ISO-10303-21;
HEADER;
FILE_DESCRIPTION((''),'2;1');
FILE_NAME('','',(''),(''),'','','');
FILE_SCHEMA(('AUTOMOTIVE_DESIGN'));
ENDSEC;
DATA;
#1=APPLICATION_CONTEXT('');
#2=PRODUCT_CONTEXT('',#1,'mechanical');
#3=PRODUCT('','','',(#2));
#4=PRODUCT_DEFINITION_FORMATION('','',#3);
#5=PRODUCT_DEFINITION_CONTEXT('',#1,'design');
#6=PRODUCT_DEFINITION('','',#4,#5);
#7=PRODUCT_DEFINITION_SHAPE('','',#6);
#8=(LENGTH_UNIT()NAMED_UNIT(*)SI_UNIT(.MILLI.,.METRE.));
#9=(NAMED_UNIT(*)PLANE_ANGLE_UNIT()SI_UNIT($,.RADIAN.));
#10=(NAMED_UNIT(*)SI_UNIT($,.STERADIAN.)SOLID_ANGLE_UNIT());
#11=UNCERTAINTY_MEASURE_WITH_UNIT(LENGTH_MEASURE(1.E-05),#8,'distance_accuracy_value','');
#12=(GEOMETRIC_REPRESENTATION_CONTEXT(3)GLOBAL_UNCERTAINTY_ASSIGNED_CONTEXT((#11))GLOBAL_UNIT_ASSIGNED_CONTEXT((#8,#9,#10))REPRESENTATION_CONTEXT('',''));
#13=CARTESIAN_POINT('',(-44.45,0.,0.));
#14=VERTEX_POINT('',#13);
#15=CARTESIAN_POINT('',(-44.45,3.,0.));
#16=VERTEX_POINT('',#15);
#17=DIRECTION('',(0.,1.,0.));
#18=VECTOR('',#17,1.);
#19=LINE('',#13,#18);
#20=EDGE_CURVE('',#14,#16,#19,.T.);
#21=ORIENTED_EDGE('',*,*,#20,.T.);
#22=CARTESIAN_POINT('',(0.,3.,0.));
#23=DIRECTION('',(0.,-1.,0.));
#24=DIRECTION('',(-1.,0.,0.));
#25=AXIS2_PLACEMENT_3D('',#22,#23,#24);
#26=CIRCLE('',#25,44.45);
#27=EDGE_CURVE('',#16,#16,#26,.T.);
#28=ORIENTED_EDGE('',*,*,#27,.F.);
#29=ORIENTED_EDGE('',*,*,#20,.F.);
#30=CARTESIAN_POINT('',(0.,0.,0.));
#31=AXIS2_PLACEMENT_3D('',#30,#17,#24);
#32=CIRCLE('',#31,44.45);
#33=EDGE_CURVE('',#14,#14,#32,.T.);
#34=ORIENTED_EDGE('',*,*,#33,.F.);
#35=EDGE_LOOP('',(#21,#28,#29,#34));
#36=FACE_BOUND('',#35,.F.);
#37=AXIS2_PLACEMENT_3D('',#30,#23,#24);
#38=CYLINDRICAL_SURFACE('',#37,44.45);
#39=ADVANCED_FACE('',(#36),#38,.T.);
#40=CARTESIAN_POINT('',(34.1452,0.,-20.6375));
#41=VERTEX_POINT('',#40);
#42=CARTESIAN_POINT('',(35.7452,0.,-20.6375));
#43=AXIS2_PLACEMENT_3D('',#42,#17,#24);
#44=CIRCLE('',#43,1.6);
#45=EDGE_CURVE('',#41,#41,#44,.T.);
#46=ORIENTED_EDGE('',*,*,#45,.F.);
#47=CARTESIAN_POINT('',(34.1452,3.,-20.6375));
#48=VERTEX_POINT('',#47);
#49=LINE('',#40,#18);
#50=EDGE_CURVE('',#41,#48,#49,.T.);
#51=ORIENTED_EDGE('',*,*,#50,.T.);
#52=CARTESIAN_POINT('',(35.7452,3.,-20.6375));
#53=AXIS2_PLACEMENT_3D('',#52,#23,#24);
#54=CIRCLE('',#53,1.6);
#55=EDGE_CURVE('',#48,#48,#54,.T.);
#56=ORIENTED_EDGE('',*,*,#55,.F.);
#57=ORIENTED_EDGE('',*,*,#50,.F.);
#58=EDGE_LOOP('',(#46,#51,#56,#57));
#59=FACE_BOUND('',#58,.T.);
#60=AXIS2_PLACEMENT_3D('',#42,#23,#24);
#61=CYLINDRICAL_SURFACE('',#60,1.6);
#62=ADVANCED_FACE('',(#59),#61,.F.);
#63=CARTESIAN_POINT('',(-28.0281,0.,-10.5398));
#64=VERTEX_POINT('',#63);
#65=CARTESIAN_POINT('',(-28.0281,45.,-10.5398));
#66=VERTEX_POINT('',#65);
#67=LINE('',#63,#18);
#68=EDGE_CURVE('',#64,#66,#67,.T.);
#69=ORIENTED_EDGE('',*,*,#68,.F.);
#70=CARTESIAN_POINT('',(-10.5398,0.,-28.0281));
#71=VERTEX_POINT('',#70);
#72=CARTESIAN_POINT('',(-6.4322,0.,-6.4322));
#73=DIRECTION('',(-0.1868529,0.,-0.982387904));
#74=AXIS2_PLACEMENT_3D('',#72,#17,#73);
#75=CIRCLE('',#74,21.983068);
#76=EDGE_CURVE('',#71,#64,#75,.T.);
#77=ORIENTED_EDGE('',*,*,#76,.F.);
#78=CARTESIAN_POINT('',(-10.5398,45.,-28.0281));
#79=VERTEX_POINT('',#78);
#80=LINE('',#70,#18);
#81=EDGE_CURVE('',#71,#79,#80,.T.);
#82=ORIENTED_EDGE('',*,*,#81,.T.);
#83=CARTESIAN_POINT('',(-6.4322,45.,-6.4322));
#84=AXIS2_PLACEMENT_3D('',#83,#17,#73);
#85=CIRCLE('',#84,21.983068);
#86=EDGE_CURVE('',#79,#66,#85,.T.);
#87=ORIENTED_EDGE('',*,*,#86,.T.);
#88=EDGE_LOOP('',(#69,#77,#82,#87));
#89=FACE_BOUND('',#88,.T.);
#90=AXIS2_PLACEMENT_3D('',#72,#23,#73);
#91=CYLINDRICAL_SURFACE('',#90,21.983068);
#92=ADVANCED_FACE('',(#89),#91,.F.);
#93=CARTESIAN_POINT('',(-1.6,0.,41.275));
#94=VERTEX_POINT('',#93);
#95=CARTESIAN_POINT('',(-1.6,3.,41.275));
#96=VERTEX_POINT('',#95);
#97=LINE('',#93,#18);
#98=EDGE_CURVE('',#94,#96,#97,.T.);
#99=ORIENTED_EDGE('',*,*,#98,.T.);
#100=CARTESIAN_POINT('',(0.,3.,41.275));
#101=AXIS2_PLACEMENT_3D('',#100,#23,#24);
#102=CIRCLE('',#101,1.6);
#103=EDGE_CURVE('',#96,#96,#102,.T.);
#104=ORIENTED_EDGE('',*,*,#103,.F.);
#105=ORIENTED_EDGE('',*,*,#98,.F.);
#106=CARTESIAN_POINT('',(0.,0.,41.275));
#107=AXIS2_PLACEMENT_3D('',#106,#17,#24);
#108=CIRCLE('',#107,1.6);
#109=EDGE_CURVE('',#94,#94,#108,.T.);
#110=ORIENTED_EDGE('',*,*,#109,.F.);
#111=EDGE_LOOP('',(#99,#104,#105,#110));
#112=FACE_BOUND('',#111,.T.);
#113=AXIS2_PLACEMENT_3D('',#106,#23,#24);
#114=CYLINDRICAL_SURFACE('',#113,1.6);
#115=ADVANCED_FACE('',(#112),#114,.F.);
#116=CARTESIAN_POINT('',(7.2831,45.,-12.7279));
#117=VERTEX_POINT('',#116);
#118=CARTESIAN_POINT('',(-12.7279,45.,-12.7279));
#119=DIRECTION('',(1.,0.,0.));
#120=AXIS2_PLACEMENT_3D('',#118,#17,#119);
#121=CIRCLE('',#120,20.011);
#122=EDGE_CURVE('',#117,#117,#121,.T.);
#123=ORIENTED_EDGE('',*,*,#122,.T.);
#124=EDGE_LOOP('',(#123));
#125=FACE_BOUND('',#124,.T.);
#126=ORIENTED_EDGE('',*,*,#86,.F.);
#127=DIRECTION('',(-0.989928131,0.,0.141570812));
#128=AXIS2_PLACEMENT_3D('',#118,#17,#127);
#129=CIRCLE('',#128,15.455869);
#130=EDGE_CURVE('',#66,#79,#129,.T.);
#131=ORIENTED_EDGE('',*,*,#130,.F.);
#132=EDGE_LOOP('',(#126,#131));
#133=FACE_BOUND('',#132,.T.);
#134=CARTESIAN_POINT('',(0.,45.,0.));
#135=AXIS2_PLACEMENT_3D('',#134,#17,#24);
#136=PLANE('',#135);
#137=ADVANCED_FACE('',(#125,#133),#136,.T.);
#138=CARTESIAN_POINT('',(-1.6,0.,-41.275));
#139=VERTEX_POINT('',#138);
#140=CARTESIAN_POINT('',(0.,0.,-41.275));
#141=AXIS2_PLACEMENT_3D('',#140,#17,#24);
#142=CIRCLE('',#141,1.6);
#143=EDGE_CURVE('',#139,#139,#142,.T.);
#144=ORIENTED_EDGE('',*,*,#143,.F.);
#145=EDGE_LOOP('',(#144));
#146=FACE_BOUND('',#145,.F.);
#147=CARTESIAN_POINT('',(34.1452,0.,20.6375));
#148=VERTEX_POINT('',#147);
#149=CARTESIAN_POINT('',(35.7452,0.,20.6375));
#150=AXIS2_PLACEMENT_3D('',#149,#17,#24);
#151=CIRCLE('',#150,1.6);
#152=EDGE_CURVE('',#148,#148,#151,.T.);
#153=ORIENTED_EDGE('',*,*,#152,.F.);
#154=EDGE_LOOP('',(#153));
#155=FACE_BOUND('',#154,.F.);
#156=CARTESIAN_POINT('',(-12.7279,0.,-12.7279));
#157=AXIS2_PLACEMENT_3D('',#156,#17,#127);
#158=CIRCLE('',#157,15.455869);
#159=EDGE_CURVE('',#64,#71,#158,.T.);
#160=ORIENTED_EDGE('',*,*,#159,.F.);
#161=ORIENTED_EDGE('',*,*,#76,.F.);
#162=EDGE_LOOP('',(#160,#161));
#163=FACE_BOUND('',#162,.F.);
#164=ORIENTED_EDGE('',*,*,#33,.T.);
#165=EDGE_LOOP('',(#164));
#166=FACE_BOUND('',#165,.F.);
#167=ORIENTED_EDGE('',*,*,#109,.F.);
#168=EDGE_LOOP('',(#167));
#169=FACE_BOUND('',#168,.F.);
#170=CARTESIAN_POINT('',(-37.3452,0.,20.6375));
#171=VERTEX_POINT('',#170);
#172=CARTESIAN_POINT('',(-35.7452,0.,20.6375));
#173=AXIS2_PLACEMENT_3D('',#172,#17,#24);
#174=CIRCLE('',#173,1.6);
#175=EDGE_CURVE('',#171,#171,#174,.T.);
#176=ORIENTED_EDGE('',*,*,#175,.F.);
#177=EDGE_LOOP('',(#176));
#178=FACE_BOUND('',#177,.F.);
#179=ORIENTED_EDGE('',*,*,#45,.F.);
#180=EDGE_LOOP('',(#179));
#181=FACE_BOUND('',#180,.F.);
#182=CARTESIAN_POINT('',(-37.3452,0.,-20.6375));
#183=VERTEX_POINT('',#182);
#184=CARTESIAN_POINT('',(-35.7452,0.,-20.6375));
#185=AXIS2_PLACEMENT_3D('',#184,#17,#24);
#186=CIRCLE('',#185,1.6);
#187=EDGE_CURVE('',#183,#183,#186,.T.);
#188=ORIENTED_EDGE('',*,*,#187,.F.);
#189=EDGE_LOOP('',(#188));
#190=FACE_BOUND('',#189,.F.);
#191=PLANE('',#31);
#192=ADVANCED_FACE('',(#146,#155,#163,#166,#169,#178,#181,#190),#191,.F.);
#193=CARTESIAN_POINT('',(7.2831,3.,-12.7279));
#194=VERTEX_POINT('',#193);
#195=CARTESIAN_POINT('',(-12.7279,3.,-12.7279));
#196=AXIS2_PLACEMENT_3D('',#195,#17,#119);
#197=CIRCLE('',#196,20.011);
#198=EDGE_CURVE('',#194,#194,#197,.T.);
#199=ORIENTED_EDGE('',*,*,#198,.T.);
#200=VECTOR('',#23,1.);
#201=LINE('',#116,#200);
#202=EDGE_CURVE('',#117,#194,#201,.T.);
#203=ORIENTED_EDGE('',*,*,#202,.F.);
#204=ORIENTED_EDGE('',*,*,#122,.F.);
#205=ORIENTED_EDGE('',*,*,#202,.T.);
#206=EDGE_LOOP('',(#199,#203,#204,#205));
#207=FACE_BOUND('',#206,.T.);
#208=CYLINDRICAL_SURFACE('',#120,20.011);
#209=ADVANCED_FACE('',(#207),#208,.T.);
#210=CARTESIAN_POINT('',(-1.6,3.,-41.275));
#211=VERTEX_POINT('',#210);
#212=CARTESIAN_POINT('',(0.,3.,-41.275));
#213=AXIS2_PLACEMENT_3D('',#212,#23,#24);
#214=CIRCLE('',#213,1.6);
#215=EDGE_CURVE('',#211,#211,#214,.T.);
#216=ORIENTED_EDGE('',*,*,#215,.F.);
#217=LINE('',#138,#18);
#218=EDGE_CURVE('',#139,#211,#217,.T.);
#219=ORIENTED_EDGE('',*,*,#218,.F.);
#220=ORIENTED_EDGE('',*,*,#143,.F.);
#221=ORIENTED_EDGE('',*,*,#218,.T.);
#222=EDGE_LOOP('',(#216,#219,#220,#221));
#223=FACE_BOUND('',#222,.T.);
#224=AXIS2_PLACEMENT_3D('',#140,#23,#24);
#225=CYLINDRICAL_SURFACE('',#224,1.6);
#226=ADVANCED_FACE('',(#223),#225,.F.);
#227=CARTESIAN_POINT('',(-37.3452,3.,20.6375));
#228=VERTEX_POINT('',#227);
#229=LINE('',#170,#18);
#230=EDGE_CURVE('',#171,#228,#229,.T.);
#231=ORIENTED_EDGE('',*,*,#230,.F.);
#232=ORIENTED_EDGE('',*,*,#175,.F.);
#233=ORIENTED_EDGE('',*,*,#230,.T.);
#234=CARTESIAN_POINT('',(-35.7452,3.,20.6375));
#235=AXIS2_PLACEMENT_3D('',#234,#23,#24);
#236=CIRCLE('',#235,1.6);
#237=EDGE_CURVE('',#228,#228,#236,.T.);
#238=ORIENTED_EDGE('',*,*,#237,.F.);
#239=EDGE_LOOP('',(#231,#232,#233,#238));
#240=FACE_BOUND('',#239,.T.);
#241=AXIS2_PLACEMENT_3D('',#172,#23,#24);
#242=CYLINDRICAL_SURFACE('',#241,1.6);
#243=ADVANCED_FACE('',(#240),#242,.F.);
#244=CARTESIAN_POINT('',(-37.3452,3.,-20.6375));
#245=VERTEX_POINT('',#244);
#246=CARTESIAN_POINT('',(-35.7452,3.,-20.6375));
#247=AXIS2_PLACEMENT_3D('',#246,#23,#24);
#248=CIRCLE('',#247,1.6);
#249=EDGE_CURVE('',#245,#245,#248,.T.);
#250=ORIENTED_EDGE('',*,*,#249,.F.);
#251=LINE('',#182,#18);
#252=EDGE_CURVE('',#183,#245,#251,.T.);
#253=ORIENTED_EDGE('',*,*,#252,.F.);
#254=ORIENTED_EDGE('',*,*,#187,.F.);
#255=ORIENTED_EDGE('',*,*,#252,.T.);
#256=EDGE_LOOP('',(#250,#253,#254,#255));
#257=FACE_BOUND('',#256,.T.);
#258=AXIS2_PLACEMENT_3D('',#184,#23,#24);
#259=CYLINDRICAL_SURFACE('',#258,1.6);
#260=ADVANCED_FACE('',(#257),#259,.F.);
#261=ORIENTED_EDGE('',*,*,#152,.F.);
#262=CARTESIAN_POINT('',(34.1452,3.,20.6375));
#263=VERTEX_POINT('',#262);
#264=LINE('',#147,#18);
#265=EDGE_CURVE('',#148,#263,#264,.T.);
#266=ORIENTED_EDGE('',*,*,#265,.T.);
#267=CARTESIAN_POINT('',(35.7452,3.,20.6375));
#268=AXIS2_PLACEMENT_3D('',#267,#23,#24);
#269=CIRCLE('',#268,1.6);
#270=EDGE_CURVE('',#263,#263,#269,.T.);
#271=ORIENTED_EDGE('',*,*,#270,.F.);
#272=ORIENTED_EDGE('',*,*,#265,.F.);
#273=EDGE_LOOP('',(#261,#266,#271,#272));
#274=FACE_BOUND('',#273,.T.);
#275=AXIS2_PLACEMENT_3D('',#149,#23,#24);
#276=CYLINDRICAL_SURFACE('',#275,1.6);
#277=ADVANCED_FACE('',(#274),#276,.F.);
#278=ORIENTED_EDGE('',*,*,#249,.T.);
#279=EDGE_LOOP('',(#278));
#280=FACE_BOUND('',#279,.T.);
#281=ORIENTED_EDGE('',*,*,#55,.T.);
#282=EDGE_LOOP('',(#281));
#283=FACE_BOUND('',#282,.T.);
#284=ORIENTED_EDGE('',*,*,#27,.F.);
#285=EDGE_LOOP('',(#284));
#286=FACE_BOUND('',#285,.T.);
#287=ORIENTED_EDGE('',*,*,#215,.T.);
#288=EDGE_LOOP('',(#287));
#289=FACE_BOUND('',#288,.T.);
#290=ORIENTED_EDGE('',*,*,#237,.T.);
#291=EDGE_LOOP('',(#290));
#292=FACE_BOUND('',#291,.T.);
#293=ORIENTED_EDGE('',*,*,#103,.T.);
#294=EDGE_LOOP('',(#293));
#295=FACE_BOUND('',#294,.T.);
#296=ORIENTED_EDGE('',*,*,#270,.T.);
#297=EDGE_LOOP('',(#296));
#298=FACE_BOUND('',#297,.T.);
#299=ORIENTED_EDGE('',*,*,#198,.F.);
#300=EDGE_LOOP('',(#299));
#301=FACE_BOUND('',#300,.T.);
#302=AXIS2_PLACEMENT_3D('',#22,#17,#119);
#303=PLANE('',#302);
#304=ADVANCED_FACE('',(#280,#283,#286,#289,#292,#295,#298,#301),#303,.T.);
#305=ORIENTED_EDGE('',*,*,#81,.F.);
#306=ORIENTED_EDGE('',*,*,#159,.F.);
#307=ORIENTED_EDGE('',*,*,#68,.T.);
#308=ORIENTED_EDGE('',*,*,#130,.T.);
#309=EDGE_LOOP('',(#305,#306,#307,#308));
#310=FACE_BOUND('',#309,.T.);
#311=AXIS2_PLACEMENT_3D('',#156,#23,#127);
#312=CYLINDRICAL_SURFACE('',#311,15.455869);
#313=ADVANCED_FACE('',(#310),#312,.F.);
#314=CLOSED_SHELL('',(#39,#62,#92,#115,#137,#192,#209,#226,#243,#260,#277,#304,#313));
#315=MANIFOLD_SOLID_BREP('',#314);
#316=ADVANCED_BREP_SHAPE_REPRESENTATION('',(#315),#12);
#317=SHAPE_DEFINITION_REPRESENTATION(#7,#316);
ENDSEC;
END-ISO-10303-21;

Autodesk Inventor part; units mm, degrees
ref_plane "YZ Plane" through (0, 0, 0) normal (1, 0, 0) x (0, 1, 0)
ref_plane "XZ Plane" through (0, 0, 0) normal (0, 1, 0) x (-1, 0, 0)
ref_plane "XY Plane" through (0, 0, 0) normal (0, 0, 1) x (1, 0, 0)
sketch "Sketch1" plane through (0, 0, 0) normal (0, 1, 0) x (-1, 0, 0)
  circle A0 centre (0, 0) radius 44.45
  circle A1 centre (0, -41.275) radius 1.6
  circle A2 centre (35.7452, -20.6375) radius 1.6
  circle A3 centre (-35.7452, -20.6375) radius 1.6
  circle A4 centre (0, 41.275) radius 1.6
  circle A5 centre (35.7452, 20.6375) radius 1.6
  circle A6 centre (-35.7452, 20.6375) radius 1.6
  arc A7 (28.0281, -10.5398) -> (10.5398, -28.0281) centre (12.7279, -12.7279) ccw
  arc A8 (10.5398, -28.0281) -> (28.0281, -10.5398) centre (6.4322, -6.4322) ccw
extrude "Extrusion1" add sketch "Sketch1" along normal blind 45
sketch "Sketch2" plane through (0, 45, 0) normal (0, 1, 0) x (1, 0, 0)
  arc A0 (-28.0281, 10.5398) -> (-10.5398, 28.0281) centre (-12.7279, 12.7279) ccw projected
  circle A1 centre (-12.7279, 12.7279) radius 20.011
  circle A2 centre (0, 0) radius 44.45
extrude "Extrusion2" cut sketch "Sketch2" against normal blind 42
properties part number "Potting_Jig_Internal"
